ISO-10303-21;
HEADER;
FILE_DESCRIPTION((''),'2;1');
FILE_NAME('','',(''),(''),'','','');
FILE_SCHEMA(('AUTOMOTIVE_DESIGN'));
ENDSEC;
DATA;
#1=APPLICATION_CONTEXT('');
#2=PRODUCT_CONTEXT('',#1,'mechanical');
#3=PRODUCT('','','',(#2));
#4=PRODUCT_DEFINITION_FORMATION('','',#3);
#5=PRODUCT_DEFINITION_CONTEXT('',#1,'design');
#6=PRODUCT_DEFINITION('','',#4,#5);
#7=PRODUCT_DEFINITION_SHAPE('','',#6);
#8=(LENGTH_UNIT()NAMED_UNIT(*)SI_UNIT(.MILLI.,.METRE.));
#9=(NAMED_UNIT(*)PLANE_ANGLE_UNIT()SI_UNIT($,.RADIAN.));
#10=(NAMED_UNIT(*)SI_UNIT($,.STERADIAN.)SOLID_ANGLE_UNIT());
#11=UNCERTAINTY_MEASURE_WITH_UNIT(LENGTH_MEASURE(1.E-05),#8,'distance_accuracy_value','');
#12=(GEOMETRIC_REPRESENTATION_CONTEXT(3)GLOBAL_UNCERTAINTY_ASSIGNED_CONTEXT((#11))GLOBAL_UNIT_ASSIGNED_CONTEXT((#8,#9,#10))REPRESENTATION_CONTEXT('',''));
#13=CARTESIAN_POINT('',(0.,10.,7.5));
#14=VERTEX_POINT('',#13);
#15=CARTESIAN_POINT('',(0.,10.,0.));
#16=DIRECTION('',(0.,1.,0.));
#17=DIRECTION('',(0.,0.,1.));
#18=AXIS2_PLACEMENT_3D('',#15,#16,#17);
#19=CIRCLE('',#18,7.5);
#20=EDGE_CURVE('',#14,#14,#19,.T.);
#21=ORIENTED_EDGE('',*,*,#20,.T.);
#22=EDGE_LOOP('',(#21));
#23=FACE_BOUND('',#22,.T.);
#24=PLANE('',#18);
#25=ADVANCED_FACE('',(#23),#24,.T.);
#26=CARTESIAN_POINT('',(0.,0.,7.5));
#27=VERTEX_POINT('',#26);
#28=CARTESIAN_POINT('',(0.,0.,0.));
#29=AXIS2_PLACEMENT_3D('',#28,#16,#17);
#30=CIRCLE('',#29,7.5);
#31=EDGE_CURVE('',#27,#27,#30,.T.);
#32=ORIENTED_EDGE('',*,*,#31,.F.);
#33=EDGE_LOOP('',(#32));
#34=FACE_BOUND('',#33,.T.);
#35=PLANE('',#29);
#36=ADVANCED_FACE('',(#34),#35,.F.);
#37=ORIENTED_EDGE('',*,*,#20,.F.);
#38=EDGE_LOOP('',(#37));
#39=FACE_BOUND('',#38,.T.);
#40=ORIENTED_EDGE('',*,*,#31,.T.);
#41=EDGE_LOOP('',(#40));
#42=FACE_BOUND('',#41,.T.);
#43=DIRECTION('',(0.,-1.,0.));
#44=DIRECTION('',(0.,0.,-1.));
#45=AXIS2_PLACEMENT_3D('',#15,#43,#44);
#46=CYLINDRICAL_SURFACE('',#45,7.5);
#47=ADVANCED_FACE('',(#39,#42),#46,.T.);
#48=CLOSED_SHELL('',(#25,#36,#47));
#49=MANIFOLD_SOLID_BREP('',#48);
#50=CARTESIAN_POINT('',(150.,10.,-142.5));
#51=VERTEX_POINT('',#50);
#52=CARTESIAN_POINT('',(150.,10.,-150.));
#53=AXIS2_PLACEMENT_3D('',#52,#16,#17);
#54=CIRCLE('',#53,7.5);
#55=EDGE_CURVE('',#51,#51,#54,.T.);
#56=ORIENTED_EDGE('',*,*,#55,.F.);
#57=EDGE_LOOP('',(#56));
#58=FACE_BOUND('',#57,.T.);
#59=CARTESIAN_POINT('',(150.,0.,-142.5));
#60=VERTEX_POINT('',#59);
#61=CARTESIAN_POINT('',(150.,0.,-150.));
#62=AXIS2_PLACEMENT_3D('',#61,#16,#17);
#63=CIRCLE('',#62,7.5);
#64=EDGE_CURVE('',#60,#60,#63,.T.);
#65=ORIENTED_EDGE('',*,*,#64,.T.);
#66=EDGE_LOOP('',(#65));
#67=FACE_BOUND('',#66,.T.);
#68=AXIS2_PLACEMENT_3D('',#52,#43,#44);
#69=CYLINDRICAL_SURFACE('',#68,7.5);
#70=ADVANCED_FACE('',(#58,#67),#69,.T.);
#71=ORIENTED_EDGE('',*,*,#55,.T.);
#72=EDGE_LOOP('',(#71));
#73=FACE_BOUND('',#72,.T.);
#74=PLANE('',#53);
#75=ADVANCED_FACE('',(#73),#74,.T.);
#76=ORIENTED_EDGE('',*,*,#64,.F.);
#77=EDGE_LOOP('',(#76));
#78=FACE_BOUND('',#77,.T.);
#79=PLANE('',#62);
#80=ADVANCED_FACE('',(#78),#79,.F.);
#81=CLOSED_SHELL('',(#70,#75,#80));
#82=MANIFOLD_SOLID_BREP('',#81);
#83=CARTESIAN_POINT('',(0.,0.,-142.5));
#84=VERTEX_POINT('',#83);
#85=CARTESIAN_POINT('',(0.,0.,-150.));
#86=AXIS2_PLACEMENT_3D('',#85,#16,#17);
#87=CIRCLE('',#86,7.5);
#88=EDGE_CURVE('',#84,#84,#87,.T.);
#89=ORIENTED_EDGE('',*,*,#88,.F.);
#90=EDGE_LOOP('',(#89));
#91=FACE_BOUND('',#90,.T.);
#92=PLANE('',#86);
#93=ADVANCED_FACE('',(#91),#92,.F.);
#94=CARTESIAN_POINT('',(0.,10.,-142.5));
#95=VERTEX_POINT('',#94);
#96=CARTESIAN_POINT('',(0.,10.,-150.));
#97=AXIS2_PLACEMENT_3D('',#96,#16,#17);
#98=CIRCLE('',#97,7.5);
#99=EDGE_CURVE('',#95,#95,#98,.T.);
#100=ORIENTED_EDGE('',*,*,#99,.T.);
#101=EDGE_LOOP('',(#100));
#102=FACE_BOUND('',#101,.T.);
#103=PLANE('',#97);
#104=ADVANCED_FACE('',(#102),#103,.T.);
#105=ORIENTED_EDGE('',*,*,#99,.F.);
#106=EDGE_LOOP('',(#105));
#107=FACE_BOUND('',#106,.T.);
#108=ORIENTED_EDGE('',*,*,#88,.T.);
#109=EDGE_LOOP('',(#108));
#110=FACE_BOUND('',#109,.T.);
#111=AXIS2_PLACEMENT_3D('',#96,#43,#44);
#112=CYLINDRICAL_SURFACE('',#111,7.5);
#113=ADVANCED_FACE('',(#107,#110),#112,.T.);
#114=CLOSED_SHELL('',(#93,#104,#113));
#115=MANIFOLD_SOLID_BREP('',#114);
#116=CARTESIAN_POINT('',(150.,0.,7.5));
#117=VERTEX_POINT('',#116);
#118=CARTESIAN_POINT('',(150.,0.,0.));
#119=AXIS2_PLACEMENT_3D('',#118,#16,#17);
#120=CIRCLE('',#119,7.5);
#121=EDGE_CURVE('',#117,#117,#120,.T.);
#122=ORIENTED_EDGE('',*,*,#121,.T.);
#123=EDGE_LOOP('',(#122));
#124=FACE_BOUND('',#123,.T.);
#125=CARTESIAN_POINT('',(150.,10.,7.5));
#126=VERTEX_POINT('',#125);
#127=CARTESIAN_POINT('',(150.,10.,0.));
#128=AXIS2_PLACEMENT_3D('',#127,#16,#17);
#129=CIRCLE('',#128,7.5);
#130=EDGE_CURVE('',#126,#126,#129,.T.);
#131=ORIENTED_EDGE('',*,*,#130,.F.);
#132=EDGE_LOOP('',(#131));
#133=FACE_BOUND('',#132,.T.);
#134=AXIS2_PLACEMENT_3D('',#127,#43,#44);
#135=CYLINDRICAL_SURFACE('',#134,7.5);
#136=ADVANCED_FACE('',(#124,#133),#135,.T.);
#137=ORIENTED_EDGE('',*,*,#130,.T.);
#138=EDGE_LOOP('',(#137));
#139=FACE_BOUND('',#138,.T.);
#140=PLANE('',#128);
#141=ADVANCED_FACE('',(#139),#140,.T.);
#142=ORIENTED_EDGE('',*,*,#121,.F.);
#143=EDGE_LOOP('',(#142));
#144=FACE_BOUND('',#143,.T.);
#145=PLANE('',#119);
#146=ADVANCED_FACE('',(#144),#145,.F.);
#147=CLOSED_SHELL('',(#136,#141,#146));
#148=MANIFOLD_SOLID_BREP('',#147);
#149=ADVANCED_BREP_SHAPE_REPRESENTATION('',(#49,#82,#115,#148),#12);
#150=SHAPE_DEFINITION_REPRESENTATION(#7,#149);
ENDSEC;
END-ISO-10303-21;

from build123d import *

# Parameters (mm, degrees)
SKETCH1_R             = 7.5
BOSS_EXTRUDE1_DEPTH   = 10
BOSS_EXTRUDE1_2_DEPTH = 10
BOSS_EXTRUDE1_3_DEPTH = 10
BOSS_EXTRUDE1_4_DEPTH = 10


with BuildPart() as part:
    # Sketch1 → Boss-Extrude1 (new body)
    with BuildSketch(Plane(origin=(0, 0, 0), x_dir=(1, 0, 0), z_dir=(0, 1, 0))):
        with Locations((0, 150)):
            Circle(SKETCH1_R)
    extrude(amount=BOSS_EXTRUDE1_DEPTH)


with BuildPart() as body_2:
    # Sketch1 → Boss-Extrude1 2 (new body)
    with BuildSketch(Plane(origin=(0, 0, 0), x_dir=(1, 0, 0), z_dir=(0, 1, 0))):
        with Locations((150, 150)):
            Circle(SKETCH1_R)
    extrude(amount=BOSS_EXTRUDE1_2_DEPTH)


with BuildPart() as body_3:
    # Sketch1 → Boss-Extrude1 3 (new body)
    with BuildSketch(Plane(origin=(0, 0, 0), x_dir=(1, 0, 0), z_dir=(0, 1, 0))):
        with Locations((150, 0)):
            Circle(SKETCH1_R)
    extrude(amount=BOSS_EXTRUDE1_3_DEPTH)


with BuildPart() as body_4:
    # Sketch1 → Boss-Extrude1 4 (new body)
    with BuildSketch(Plane(origin=(0, 0, 0), x_dir=(1, 0, 0), z_dir=(0, 1, 0))):
        Circle(SKETCH1_R)
    extrude(amount=BOSS_EXTRUDE1_4_DEPTH)


solid = Compound([part.part, body_2.part, body_3.part, body_4.part])
